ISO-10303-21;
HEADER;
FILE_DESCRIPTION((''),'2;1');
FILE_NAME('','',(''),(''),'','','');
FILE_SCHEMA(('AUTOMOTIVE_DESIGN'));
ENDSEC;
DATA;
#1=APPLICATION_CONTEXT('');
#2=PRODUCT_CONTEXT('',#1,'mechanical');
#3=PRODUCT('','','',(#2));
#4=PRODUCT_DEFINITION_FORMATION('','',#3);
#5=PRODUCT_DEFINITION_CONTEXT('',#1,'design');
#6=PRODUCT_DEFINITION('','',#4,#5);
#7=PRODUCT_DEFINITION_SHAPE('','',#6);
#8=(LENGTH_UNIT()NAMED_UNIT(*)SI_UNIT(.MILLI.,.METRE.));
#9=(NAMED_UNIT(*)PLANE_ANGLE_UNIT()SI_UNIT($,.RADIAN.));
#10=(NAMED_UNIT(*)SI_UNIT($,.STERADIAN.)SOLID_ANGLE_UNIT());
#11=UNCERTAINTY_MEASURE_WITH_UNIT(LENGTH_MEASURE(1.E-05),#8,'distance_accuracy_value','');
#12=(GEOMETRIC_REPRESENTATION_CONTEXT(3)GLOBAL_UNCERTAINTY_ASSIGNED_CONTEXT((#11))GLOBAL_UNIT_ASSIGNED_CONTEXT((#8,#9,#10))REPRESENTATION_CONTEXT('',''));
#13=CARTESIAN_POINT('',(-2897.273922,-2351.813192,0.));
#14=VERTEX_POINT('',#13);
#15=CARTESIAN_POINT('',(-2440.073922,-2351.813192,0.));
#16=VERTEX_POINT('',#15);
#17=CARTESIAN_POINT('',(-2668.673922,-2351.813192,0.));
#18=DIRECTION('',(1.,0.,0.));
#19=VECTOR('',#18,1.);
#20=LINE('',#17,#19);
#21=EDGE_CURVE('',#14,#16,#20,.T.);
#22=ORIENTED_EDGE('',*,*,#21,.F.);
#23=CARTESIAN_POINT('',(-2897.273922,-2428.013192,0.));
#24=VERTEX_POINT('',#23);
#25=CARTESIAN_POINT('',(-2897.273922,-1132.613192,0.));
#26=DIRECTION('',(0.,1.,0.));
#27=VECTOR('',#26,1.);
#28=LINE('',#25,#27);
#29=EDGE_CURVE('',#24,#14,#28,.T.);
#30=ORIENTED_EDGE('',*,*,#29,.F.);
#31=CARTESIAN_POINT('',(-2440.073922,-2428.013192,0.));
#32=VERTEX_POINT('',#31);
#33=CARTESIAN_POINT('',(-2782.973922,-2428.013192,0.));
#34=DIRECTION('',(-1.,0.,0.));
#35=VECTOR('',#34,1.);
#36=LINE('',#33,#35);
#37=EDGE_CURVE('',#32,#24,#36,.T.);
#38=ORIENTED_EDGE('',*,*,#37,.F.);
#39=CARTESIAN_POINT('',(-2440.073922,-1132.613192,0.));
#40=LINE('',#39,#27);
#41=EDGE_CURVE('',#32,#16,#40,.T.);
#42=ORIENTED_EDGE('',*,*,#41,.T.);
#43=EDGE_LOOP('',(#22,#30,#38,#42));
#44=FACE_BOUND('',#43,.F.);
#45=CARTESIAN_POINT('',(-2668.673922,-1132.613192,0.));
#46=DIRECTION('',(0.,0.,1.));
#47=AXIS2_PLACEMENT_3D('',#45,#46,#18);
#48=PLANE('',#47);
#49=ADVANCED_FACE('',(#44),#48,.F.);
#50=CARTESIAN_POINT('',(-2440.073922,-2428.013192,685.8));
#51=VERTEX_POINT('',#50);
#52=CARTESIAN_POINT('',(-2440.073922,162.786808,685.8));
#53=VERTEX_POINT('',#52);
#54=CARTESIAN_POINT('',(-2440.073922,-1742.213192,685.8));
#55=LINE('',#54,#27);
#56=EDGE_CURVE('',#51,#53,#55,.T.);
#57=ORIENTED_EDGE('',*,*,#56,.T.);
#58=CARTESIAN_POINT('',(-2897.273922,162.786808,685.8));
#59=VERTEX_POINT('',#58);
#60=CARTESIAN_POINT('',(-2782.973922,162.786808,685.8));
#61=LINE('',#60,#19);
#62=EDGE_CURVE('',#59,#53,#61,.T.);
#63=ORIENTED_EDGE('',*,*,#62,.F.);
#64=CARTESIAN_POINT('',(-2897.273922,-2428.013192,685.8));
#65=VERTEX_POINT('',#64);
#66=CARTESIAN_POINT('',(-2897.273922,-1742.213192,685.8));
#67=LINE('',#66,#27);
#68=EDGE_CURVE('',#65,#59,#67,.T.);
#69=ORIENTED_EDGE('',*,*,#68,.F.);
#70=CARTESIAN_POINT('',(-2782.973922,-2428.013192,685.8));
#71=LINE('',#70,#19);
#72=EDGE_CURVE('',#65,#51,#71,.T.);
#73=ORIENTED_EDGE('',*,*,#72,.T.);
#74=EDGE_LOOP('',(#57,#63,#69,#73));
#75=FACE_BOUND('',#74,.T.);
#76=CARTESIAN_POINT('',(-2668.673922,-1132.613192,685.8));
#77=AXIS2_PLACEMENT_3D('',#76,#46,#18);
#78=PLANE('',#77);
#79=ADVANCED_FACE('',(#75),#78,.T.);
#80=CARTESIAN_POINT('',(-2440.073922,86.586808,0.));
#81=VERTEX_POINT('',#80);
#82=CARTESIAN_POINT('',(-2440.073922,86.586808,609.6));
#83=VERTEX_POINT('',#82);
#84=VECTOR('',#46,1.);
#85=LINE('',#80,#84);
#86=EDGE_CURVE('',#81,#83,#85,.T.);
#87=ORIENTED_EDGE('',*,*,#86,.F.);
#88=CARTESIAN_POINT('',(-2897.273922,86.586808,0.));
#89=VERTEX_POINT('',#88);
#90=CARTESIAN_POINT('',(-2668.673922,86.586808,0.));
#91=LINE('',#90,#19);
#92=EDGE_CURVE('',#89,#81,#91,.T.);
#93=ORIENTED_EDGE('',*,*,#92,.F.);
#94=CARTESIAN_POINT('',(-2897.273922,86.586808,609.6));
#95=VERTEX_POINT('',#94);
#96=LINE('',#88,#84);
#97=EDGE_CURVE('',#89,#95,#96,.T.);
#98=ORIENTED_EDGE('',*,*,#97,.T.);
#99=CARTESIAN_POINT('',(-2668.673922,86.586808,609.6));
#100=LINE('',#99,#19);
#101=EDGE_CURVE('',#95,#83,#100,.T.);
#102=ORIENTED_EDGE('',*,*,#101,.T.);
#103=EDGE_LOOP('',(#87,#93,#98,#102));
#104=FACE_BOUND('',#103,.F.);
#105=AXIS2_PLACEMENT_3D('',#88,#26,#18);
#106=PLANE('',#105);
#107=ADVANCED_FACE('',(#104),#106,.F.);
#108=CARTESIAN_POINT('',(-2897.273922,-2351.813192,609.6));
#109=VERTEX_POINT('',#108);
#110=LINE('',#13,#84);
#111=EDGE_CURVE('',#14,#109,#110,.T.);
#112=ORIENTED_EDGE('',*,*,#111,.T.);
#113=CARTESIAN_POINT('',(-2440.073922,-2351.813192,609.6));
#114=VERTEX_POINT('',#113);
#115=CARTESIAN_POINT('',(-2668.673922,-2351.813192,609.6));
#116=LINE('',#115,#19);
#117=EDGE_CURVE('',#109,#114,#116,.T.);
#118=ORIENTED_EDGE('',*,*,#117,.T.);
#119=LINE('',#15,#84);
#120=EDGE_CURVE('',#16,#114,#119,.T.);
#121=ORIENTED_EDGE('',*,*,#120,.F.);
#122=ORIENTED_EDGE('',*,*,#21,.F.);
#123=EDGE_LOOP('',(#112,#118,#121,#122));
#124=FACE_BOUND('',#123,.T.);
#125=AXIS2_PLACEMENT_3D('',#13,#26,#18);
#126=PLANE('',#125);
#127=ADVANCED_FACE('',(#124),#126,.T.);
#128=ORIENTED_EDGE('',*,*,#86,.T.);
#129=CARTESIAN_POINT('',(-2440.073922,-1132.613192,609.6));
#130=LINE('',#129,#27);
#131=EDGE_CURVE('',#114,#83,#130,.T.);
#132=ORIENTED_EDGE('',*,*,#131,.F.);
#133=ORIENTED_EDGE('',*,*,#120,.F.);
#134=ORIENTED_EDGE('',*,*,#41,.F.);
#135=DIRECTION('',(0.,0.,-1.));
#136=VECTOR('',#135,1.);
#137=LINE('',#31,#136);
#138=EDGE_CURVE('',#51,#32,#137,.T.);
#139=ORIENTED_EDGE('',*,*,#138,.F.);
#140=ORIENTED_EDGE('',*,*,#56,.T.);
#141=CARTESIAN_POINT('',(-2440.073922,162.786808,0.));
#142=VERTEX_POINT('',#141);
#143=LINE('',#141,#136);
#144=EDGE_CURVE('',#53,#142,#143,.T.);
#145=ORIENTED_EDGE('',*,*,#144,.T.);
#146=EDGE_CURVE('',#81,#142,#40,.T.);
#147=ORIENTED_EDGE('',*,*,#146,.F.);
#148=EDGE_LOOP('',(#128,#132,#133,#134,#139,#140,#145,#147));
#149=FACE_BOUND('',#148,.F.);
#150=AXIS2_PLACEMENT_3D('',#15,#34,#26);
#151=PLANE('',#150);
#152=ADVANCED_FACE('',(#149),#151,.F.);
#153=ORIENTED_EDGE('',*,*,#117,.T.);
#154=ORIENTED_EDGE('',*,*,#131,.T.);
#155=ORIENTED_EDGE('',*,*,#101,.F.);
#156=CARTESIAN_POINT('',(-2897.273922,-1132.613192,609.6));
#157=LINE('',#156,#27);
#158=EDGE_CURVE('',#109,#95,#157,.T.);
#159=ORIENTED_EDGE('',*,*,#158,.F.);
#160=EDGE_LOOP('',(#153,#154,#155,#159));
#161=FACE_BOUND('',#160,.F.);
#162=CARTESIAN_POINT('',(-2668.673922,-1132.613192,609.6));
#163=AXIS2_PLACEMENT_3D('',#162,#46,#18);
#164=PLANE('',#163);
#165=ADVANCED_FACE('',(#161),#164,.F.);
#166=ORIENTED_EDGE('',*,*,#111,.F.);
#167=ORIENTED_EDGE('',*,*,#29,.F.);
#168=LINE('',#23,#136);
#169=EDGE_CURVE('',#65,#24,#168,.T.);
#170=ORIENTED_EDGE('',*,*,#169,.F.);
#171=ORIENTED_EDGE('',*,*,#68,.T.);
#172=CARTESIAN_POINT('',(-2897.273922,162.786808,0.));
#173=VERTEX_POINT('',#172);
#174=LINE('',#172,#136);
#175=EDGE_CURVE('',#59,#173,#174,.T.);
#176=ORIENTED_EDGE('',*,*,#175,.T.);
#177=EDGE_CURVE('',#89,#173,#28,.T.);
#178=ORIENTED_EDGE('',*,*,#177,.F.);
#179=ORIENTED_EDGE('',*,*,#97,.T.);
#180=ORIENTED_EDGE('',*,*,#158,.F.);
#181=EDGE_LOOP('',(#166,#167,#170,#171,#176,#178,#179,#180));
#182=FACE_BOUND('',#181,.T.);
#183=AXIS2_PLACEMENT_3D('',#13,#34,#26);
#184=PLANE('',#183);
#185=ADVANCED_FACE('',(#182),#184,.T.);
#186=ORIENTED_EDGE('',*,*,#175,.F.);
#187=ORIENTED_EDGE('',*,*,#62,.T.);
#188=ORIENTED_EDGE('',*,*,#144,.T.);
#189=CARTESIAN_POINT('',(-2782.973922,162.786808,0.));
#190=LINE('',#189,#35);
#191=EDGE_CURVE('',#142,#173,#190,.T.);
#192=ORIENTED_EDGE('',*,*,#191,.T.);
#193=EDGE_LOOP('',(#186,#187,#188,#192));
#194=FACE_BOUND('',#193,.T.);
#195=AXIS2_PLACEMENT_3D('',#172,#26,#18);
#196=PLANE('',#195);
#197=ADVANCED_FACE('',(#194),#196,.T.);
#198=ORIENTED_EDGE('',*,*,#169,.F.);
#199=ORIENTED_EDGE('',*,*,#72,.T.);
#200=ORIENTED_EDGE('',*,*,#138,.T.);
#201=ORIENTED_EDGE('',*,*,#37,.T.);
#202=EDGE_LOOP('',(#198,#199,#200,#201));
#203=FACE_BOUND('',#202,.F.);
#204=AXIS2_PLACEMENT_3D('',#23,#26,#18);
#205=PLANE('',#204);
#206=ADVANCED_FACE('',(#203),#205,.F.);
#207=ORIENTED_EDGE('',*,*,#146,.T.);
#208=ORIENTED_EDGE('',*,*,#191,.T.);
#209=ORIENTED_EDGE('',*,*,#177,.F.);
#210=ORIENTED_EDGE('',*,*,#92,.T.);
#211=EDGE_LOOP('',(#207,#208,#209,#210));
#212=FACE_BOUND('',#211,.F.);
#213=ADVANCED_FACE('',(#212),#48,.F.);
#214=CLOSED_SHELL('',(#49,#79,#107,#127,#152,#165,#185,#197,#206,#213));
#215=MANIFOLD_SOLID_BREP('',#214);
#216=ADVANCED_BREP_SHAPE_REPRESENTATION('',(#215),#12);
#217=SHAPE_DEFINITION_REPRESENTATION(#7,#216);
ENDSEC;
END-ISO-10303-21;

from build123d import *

# Parameters (mm, degrees)
F0_W     = 457.2
F0_H     = 2438.4
F1_DEPTH = 609.6
F2_T     = 76.2


with BuildPart() as f1:
    # F0 (on Top) → F1 (new body)
    with BuildSketch(Plane.XY):
        with Locations((-2668.6739219427, -1132.6131924457)):
            Rectangle(F0_W, F0_H)
    extrude(amount=F1_DEPTH)

    # F2
    f2_openings = [f1.faces().sort_by_distance(p)[0] for p in [
        (-2440.073922, -1132.613192, 304.8),
        (-2897.273922, -1132.613192, 304.8),
        (-2668.673922, -1132.613192, 0),
    ]]
    offset(amount=F2_T, openings=f2_openings, kind=Kind.INTERSECTION)


solid = f1.part
